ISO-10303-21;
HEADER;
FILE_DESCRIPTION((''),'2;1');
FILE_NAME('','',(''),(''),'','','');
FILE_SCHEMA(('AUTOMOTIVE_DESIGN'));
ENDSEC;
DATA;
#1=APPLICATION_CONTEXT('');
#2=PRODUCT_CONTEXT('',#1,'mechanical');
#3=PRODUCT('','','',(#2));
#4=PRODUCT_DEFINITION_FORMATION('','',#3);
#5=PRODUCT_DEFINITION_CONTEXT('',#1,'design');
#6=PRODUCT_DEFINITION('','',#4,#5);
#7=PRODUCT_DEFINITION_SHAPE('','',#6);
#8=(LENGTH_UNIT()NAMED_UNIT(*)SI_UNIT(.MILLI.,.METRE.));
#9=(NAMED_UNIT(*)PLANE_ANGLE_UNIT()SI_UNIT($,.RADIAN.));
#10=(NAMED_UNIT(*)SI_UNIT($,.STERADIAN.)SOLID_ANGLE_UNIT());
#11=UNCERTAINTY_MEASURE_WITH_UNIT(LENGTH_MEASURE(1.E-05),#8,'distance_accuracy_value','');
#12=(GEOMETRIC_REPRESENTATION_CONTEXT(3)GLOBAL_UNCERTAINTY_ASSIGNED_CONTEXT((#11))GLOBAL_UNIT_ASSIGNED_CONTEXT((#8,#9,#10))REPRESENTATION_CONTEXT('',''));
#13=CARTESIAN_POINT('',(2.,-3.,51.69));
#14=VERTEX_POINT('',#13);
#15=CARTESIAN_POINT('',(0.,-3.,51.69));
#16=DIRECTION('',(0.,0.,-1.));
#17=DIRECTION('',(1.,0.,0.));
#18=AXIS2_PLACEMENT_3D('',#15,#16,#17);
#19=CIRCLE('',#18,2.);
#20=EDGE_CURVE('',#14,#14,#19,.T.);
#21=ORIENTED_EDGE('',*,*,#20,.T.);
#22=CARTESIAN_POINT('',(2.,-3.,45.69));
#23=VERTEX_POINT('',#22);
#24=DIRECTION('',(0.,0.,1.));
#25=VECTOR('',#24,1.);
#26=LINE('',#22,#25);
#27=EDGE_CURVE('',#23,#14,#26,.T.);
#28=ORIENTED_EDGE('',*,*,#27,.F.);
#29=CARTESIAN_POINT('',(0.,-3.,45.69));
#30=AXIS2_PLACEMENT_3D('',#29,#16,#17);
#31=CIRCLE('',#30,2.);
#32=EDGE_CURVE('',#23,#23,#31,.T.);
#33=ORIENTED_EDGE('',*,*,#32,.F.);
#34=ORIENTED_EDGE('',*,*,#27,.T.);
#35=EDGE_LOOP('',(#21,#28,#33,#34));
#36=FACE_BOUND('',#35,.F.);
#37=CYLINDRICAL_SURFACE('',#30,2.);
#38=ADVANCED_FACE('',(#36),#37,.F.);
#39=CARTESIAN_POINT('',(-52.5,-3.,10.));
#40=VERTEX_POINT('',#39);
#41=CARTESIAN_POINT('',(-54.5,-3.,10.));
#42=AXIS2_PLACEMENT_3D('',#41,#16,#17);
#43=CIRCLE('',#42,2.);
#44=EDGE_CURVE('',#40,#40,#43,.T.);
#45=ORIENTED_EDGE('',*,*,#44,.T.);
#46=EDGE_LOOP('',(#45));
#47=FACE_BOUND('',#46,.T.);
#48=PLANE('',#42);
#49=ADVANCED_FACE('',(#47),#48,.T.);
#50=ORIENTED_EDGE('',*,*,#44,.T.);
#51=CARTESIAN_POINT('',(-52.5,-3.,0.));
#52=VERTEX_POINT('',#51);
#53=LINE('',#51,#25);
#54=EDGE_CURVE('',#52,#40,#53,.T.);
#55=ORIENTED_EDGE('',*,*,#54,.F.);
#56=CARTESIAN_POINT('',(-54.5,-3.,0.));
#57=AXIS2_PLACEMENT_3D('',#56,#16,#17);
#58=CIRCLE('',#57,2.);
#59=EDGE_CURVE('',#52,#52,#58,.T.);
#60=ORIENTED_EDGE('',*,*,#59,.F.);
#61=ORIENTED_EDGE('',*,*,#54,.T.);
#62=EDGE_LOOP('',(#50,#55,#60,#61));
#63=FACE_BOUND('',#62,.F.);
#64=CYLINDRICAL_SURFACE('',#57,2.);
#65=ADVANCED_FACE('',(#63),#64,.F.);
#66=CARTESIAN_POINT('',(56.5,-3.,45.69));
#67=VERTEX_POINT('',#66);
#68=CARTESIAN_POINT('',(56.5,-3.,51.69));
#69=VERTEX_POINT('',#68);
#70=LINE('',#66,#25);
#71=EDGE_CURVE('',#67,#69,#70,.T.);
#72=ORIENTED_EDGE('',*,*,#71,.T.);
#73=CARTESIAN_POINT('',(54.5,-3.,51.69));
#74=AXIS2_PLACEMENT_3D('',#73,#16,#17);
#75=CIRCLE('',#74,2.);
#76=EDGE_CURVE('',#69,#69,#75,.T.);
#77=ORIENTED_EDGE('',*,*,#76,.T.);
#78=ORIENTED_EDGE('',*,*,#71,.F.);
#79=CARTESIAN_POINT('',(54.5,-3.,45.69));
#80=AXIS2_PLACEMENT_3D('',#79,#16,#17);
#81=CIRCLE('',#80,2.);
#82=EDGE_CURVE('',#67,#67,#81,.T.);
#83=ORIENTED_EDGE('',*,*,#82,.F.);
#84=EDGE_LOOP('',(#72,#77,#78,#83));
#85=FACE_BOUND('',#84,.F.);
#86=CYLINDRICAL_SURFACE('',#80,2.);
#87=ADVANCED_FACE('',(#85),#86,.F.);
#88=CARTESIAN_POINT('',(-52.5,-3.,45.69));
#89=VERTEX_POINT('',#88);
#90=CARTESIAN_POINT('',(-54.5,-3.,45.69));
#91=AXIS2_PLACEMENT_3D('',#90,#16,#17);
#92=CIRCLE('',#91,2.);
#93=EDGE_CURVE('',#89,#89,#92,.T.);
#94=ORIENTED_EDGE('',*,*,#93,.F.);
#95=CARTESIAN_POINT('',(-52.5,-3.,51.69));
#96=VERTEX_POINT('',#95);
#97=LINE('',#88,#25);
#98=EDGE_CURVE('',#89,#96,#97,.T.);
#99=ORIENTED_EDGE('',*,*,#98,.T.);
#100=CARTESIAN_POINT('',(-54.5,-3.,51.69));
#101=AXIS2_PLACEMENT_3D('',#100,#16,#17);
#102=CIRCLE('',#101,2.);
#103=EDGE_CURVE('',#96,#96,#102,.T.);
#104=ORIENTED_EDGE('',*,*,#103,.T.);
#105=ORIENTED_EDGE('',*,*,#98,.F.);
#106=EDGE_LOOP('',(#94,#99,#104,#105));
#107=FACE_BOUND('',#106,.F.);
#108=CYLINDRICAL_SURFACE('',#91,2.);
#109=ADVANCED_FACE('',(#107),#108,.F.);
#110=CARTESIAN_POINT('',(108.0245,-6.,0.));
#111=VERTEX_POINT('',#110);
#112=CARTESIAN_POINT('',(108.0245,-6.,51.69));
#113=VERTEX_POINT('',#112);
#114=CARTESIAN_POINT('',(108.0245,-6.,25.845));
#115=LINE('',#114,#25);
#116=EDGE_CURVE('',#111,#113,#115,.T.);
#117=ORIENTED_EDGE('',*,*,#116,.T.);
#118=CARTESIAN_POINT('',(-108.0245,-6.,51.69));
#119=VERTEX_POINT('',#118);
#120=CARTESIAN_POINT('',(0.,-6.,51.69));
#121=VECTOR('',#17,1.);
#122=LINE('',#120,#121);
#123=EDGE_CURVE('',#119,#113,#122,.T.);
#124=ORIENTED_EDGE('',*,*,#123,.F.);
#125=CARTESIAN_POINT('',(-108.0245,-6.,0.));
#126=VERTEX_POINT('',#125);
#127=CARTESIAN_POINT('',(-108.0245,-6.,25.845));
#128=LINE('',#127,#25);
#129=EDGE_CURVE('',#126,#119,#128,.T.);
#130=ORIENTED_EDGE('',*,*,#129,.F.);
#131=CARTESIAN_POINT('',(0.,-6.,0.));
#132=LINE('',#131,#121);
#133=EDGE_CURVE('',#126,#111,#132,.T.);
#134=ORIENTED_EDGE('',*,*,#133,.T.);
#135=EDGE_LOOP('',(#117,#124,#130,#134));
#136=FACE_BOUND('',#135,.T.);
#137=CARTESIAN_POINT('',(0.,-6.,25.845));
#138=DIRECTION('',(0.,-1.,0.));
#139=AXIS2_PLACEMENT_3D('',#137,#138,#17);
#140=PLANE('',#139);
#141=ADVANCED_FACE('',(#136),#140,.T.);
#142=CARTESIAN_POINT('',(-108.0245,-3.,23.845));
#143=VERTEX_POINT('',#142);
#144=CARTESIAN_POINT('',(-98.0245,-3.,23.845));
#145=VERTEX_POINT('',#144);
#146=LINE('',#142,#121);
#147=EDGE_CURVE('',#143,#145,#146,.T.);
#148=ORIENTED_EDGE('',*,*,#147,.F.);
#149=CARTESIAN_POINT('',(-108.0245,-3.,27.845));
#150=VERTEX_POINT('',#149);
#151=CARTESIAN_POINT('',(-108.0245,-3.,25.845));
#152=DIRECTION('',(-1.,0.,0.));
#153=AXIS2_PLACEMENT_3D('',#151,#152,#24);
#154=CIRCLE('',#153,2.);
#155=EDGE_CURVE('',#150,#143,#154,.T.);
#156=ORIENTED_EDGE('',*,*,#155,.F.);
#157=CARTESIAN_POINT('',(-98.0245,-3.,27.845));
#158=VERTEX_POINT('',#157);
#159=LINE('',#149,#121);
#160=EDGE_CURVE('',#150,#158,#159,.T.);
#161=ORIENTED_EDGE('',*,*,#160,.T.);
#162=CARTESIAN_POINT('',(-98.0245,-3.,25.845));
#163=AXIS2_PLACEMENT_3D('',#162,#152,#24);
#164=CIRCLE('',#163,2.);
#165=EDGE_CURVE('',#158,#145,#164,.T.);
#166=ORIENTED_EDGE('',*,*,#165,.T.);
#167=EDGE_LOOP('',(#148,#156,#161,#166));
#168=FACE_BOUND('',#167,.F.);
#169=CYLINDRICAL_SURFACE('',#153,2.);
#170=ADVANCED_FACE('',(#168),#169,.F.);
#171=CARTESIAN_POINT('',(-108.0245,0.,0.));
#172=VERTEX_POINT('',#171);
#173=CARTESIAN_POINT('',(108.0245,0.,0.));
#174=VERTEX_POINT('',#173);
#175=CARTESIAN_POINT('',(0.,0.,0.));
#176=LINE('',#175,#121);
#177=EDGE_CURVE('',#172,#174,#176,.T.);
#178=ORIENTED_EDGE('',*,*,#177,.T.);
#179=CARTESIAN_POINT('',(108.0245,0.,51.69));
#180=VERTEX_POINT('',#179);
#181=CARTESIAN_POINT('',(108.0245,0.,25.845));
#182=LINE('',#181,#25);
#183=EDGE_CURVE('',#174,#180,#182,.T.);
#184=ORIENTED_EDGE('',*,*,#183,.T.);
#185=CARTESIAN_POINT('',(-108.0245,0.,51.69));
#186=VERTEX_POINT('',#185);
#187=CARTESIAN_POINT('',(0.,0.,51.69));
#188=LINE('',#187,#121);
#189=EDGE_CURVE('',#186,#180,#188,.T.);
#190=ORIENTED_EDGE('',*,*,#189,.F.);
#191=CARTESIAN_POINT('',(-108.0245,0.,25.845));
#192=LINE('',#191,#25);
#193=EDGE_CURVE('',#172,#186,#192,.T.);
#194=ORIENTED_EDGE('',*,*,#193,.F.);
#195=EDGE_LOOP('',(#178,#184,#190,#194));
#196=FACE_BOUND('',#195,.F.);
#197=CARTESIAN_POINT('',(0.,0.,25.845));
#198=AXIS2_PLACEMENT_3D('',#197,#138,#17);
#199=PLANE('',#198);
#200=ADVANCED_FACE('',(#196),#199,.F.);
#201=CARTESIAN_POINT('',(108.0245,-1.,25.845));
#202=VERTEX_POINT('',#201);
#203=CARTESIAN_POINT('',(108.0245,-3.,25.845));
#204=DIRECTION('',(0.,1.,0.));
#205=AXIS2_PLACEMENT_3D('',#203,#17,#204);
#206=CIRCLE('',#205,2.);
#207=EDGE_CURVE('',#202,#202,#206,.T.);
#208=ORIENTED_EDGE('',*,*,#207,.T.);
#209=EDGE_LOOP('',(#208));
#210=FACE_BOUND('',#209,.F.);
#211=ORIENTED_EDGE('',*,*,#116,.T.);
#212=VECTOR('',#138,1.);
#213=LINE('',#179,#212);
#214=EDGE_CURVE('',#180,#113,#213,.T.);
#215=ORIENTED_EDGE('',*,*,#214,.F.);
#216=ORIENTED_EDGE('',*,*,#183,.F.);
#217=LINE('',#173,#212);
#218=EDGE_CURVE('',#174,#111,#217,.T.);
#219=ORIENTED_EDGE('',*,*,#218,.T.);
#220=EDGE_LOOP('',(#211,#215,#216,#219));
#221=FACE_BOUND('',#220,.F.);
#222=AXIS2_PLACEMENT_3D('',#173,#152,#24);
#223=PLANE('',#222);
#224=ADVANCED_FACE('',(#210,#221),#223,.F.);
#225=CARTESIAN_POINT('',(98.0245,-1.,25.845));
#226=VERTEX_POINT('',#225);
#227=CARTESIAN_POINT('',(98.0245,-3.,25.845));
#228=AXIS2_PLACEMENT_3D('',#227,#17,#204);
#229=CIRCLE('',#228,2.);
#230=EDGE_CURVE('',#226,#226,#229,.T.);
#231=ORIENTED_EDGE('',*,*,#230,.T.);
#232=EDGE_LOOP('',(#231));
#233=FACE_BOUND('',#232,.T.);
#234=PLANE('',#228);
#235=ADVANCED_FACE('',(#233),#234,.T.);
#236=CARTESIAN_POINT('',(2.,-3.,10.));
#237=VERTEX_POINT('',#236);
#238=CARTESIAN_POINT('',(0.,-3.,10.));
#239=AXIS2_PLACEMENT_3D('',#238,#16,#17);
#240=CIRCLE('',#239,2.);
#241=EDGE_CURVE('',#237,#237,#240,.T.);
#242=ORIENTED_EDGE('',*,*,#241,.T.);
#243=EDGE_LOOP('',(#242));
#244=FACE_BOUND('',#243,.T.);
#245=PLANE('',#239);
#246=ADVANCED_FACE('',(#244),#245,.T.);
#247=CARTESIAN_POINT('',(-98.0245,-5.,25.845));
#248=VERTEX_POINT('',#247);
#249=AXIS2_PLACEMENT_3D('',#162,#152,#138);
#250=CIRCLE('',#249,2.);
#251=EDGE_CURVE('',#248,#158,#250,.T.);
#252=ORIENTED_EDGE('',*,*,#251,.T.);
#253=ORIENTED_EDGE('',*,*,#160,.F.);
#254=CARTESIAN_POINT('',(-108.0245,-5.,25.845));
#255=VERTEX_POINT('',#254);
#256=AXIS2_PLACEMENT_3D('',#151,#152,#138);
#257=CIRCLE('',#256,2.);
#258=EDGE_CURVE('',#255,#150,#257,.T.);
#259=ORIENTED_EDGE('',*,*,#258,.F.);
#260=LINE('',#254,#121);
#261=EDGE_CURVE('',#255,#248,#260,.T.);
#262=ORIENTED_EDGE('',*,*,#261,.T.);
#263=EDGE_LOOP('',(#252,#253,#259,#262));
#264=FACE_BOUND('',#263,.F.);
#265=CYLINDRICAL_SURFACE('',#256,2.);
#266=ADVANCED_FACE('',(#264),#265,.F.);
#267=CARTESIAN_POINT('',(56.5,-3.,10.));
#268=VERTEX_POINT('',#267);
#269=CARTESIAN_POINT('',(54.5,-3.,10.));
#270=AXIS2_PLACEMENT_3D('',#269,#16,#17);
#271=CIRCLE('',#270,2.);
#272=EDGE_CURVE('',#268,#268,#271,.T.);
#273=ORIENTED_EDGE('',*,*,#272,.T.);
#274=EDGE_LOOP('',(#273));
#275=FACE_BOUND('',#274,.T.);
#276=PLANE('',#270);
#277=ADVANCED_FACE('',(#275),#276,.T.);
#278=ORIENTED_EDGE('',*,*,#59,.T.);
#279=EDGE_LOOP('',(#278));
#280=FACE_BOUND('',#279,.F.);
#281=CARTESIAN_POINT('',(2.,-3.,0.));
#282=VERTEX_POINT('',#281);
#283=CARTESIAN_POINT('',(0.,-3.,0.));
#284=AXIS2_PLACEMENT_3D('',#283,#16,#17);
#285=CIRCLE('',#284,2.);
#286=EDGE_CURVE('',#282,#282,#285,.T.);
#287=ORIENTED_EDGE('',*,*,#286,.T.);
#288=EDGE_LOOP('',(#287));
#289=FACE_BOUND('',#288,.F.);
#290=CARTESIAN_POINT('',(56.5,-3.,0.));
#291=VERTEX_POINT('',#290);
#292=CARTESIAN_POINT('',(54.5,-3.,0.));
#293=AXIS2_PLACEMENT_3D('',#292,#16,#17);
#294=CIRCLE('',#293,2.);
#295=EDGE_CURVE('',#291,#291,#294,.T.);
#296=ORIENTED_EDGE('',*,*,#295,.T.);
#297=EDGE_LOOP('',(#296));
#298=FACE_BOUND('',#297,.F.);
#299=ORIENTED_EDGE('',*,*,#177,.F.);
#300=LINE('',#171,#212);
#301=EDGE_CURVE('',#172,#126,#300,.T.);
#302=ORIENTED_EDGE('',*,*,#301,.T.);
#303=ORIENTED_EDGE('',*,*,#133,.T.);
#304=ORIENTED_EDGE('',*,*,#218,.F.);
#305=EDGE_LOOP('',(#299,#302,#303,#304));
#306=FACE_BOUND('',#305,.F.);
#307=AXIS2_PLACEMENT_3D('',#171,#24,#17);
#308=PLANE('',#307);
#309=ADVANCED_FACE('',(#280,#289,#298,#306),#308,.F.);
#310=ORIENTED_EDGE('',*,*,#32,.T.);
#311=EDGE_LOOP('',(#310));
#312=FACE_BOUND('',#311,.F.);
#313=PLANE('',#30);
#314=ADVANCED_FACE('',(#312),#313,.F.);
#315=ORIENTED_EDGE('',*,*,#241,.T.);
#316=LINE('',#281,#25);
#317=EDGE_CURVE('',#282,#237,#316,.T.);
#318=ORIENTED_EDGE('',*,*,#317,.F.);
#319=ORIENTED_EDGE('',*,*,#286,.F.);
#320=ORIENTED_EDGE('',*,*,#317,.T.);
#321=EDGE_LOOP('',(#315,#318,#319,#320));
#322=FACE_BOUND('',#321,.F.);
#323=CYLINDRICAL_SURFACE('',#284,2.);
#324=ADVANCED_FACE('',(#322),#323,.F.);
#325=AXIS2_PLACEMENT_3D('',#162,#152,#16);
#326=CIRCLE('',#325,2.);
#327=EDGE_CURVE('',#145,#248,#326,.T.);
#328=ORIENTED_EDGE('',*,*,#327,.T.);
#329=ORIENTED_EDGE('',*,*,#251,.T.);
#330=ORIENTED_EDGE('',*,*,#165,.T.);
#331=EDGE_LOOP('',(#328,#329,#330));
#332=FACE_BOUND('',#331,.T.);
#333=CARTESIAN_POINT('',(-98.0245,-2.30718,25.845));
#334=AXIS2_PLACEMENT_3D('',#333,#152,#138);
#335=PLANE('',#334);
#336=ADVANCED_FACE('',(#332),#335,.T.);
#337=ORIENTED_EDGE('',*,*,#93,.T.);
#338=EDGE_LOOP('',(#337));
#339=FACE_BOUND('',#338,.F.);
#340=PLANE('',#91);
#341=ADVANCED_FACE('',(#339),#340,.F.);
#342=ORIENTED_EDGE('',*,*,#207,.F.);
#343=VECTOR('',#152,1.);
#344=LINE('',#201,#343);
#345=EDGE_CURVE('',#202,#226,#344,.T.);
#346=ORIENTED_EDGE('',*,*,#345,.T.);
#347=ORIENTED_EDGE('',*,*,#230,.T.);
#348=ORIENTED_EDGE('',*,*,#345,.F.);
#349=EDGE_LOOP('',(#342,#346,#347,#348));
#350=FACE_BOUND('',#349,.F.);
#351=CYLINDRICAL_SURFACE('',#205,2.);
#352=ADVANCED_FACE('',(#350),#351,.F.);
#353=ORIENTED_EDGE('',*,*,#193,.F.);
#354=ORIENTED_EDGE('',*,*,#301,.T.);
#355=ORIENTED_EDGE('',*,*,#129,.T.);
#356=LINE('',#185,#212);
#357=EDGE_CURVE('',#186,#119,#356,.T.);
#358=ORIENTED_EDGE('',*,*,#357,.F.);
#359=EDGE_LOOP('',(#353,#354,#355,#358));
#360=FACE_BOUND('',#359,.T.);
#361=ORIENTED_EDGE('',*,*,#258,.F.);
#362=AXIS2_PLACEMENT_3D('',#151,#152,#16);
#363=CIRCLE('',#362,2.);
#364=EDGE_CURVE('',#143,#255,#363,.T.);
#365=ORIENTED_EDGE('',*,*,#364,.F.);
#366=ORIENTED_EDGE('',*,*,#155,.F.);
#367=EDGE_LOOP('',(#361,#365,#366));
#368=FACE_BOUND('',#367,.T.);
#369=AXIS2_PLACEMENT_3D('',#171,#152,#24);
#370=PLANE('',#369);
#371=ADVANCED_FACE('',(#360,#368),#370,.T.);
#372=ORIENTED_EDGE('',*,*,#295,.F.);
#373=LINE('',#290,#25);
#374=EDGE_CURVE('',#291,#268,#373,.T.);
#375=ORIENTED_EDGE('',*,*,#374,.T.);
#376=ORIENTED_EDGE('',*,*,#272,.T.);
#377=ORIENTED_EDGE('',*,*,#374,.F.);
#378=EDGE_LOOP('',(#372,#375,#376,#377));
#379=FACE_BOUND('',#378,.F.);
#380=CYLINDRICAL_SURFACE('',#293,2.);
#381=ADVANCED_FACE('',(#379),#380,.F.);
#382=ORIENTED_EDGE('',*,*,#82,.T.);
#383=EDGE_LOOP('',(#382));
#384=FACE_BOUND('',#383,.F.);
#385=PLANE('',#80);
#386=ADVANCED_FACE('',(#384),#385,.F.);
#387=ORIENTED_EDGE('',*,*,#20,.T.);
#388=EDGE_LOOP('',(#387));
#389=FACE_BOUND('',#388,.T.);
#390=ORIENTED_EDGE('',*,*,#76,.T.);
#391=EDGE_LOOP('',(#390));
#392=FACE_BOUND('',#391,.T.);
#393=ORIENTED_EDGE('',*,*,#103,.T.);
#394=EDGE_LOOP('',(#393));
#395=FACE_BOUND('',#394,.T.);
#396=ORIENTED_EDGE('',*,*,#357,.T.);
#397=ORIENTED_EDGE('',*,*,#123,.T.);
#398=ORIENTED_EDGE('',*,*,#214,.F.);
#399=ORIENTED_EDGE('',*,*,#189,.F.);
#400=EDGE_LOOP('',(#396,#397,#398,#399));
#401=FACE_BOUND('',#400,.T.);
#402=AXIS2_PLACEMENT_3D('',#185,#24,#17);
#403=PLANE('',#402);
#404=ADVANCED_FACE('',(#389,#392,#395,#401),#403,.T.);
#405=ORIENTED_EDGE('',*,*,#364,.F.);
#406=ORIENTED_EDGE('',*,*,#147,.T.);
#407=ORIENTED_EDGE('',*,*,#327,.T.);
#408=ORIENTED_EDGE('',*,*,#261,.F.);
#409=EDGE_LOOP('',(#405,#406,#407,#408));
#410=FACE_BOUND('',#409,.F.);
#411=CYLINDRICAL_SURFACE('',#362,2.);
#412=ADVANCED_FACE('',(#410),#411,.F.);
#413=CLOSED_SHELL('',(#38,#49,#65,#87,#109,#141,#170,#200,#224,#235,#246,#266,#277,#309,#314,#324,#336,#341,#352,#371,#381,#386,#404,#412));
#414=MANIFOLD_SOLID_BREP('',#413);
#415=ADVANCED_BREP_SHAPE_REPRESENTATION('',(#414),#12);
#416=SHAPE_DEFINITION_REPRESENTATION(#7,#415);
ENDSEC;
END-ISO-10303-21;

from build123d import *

# Parameters (mm, degrees)
F0_W     = 216.049
F0_H     = 51.69
F1_DEPTH = 6
F2_R     = 2
F3_DEPTH = 10
F5_DEPTH = 10
F6_START = -45.69
F6_DEPTH = 6
F7_DEPTH = 10
F8_R     = 2
F9_DEPTH = 10


with BuildPart() as f1:
    # F0 (on Front) → F1 (new body)
    with BuildSketch(Plane.XZ):
        with Locations((0, 25.845)):
            Rectangle(F0_W, F0_H)
    extrude(amount=F1_DEPTH)

    # F2 (on face) → F3 (cut)
    with BuildSketch(Plane(origin=(0, 0, 0), x_dir=(1, 0, 0), z_dir=(0, 0, -1))):
        with Locations((0, 3)):
            Circle(F2_R)
        with Locations((-54.5, 3)):
            Circle(F2_R)
        with Locations((54.5, 3)):
            Circle(F2_R)
    extrude(amount=-F3_DEPTH, mode=Mode.SUBTRACT)

    # F4 (on face) → F5 (join)
    with BuildSketch(Plane(origin=(-108.0245, 0, 0), x_dir=(0, -1, 0), z_dir=(-1, 0, 0))):
        with BuildLine():
            ThreePointArc((5, 25.845), (4.4142135624, 27.2592135624), (3, 27.845))
            Line((3, 27.845), (3, 23.845))
            ThreePointArc((3, 23.845), (4.4142135624, 24.4307864376), (5, 25.845))
        make_face()
        with BuildLine():
            Line((3, 23.845), (3, 27.845))
            ThreePointArc((3, 27.845), (1, 25.845), (3, 23.845))
        make_face()
    extrude(amount=-F5_DEPTH)

    # F2 (on face) → F6 (cut)
    with BuildSketch(Plane(origin=(0, 0, 0), x_dir=(1, 0, 0), z_dir=(0, 0, -1)).offset(F6_START)):
        with Locations((0, 3)):
            Circle(F2_R)
        with Locations((-54.5, 3)):
            Circle(F2_R)
        with Locations((54.5, 3)):
            Circle(F2_R)
    extrude(amount=-F6_DEPTH, mode=Mode.SUBTRACT)

    # F4 (on face) → F7 (cut)
    with BuildSketch(Plane(origin=(-108.0245, 0, 0), x_dir=(0, -1, 0), z_dir=(-1, 0, 0))):
        with BuildLine():
            Line((3, 23.845), (3, 27.845))
            ThreePointArc((3, 27.845), (1, 25.845), (3, 23.845))
        make_face()
        with BuildLine():
            ThreePointArc((5, 25.845), (4.4142135624, 27.2592135624), (3, 27.845))
            Line((3, 27.845), (3, 23.845))
            ThreePointArc((3, 23.845), (4.4142135624, 24.4307864376), (5, 25.845))
        make_face()
    extrude(amount=-F7_DEPTH, mode=Mode.SUBTRACT)

    # F8 (on face) → F9 (cut)
    with BuildSketch(Plane.YZ.offset(108.0245)):
        with Locations((-3, 25.845)):
            Circle(F8_R)
    extrude(amount=-F9_DEPTH, mode=Mode.SUBTRACT)


solid = f1.part
